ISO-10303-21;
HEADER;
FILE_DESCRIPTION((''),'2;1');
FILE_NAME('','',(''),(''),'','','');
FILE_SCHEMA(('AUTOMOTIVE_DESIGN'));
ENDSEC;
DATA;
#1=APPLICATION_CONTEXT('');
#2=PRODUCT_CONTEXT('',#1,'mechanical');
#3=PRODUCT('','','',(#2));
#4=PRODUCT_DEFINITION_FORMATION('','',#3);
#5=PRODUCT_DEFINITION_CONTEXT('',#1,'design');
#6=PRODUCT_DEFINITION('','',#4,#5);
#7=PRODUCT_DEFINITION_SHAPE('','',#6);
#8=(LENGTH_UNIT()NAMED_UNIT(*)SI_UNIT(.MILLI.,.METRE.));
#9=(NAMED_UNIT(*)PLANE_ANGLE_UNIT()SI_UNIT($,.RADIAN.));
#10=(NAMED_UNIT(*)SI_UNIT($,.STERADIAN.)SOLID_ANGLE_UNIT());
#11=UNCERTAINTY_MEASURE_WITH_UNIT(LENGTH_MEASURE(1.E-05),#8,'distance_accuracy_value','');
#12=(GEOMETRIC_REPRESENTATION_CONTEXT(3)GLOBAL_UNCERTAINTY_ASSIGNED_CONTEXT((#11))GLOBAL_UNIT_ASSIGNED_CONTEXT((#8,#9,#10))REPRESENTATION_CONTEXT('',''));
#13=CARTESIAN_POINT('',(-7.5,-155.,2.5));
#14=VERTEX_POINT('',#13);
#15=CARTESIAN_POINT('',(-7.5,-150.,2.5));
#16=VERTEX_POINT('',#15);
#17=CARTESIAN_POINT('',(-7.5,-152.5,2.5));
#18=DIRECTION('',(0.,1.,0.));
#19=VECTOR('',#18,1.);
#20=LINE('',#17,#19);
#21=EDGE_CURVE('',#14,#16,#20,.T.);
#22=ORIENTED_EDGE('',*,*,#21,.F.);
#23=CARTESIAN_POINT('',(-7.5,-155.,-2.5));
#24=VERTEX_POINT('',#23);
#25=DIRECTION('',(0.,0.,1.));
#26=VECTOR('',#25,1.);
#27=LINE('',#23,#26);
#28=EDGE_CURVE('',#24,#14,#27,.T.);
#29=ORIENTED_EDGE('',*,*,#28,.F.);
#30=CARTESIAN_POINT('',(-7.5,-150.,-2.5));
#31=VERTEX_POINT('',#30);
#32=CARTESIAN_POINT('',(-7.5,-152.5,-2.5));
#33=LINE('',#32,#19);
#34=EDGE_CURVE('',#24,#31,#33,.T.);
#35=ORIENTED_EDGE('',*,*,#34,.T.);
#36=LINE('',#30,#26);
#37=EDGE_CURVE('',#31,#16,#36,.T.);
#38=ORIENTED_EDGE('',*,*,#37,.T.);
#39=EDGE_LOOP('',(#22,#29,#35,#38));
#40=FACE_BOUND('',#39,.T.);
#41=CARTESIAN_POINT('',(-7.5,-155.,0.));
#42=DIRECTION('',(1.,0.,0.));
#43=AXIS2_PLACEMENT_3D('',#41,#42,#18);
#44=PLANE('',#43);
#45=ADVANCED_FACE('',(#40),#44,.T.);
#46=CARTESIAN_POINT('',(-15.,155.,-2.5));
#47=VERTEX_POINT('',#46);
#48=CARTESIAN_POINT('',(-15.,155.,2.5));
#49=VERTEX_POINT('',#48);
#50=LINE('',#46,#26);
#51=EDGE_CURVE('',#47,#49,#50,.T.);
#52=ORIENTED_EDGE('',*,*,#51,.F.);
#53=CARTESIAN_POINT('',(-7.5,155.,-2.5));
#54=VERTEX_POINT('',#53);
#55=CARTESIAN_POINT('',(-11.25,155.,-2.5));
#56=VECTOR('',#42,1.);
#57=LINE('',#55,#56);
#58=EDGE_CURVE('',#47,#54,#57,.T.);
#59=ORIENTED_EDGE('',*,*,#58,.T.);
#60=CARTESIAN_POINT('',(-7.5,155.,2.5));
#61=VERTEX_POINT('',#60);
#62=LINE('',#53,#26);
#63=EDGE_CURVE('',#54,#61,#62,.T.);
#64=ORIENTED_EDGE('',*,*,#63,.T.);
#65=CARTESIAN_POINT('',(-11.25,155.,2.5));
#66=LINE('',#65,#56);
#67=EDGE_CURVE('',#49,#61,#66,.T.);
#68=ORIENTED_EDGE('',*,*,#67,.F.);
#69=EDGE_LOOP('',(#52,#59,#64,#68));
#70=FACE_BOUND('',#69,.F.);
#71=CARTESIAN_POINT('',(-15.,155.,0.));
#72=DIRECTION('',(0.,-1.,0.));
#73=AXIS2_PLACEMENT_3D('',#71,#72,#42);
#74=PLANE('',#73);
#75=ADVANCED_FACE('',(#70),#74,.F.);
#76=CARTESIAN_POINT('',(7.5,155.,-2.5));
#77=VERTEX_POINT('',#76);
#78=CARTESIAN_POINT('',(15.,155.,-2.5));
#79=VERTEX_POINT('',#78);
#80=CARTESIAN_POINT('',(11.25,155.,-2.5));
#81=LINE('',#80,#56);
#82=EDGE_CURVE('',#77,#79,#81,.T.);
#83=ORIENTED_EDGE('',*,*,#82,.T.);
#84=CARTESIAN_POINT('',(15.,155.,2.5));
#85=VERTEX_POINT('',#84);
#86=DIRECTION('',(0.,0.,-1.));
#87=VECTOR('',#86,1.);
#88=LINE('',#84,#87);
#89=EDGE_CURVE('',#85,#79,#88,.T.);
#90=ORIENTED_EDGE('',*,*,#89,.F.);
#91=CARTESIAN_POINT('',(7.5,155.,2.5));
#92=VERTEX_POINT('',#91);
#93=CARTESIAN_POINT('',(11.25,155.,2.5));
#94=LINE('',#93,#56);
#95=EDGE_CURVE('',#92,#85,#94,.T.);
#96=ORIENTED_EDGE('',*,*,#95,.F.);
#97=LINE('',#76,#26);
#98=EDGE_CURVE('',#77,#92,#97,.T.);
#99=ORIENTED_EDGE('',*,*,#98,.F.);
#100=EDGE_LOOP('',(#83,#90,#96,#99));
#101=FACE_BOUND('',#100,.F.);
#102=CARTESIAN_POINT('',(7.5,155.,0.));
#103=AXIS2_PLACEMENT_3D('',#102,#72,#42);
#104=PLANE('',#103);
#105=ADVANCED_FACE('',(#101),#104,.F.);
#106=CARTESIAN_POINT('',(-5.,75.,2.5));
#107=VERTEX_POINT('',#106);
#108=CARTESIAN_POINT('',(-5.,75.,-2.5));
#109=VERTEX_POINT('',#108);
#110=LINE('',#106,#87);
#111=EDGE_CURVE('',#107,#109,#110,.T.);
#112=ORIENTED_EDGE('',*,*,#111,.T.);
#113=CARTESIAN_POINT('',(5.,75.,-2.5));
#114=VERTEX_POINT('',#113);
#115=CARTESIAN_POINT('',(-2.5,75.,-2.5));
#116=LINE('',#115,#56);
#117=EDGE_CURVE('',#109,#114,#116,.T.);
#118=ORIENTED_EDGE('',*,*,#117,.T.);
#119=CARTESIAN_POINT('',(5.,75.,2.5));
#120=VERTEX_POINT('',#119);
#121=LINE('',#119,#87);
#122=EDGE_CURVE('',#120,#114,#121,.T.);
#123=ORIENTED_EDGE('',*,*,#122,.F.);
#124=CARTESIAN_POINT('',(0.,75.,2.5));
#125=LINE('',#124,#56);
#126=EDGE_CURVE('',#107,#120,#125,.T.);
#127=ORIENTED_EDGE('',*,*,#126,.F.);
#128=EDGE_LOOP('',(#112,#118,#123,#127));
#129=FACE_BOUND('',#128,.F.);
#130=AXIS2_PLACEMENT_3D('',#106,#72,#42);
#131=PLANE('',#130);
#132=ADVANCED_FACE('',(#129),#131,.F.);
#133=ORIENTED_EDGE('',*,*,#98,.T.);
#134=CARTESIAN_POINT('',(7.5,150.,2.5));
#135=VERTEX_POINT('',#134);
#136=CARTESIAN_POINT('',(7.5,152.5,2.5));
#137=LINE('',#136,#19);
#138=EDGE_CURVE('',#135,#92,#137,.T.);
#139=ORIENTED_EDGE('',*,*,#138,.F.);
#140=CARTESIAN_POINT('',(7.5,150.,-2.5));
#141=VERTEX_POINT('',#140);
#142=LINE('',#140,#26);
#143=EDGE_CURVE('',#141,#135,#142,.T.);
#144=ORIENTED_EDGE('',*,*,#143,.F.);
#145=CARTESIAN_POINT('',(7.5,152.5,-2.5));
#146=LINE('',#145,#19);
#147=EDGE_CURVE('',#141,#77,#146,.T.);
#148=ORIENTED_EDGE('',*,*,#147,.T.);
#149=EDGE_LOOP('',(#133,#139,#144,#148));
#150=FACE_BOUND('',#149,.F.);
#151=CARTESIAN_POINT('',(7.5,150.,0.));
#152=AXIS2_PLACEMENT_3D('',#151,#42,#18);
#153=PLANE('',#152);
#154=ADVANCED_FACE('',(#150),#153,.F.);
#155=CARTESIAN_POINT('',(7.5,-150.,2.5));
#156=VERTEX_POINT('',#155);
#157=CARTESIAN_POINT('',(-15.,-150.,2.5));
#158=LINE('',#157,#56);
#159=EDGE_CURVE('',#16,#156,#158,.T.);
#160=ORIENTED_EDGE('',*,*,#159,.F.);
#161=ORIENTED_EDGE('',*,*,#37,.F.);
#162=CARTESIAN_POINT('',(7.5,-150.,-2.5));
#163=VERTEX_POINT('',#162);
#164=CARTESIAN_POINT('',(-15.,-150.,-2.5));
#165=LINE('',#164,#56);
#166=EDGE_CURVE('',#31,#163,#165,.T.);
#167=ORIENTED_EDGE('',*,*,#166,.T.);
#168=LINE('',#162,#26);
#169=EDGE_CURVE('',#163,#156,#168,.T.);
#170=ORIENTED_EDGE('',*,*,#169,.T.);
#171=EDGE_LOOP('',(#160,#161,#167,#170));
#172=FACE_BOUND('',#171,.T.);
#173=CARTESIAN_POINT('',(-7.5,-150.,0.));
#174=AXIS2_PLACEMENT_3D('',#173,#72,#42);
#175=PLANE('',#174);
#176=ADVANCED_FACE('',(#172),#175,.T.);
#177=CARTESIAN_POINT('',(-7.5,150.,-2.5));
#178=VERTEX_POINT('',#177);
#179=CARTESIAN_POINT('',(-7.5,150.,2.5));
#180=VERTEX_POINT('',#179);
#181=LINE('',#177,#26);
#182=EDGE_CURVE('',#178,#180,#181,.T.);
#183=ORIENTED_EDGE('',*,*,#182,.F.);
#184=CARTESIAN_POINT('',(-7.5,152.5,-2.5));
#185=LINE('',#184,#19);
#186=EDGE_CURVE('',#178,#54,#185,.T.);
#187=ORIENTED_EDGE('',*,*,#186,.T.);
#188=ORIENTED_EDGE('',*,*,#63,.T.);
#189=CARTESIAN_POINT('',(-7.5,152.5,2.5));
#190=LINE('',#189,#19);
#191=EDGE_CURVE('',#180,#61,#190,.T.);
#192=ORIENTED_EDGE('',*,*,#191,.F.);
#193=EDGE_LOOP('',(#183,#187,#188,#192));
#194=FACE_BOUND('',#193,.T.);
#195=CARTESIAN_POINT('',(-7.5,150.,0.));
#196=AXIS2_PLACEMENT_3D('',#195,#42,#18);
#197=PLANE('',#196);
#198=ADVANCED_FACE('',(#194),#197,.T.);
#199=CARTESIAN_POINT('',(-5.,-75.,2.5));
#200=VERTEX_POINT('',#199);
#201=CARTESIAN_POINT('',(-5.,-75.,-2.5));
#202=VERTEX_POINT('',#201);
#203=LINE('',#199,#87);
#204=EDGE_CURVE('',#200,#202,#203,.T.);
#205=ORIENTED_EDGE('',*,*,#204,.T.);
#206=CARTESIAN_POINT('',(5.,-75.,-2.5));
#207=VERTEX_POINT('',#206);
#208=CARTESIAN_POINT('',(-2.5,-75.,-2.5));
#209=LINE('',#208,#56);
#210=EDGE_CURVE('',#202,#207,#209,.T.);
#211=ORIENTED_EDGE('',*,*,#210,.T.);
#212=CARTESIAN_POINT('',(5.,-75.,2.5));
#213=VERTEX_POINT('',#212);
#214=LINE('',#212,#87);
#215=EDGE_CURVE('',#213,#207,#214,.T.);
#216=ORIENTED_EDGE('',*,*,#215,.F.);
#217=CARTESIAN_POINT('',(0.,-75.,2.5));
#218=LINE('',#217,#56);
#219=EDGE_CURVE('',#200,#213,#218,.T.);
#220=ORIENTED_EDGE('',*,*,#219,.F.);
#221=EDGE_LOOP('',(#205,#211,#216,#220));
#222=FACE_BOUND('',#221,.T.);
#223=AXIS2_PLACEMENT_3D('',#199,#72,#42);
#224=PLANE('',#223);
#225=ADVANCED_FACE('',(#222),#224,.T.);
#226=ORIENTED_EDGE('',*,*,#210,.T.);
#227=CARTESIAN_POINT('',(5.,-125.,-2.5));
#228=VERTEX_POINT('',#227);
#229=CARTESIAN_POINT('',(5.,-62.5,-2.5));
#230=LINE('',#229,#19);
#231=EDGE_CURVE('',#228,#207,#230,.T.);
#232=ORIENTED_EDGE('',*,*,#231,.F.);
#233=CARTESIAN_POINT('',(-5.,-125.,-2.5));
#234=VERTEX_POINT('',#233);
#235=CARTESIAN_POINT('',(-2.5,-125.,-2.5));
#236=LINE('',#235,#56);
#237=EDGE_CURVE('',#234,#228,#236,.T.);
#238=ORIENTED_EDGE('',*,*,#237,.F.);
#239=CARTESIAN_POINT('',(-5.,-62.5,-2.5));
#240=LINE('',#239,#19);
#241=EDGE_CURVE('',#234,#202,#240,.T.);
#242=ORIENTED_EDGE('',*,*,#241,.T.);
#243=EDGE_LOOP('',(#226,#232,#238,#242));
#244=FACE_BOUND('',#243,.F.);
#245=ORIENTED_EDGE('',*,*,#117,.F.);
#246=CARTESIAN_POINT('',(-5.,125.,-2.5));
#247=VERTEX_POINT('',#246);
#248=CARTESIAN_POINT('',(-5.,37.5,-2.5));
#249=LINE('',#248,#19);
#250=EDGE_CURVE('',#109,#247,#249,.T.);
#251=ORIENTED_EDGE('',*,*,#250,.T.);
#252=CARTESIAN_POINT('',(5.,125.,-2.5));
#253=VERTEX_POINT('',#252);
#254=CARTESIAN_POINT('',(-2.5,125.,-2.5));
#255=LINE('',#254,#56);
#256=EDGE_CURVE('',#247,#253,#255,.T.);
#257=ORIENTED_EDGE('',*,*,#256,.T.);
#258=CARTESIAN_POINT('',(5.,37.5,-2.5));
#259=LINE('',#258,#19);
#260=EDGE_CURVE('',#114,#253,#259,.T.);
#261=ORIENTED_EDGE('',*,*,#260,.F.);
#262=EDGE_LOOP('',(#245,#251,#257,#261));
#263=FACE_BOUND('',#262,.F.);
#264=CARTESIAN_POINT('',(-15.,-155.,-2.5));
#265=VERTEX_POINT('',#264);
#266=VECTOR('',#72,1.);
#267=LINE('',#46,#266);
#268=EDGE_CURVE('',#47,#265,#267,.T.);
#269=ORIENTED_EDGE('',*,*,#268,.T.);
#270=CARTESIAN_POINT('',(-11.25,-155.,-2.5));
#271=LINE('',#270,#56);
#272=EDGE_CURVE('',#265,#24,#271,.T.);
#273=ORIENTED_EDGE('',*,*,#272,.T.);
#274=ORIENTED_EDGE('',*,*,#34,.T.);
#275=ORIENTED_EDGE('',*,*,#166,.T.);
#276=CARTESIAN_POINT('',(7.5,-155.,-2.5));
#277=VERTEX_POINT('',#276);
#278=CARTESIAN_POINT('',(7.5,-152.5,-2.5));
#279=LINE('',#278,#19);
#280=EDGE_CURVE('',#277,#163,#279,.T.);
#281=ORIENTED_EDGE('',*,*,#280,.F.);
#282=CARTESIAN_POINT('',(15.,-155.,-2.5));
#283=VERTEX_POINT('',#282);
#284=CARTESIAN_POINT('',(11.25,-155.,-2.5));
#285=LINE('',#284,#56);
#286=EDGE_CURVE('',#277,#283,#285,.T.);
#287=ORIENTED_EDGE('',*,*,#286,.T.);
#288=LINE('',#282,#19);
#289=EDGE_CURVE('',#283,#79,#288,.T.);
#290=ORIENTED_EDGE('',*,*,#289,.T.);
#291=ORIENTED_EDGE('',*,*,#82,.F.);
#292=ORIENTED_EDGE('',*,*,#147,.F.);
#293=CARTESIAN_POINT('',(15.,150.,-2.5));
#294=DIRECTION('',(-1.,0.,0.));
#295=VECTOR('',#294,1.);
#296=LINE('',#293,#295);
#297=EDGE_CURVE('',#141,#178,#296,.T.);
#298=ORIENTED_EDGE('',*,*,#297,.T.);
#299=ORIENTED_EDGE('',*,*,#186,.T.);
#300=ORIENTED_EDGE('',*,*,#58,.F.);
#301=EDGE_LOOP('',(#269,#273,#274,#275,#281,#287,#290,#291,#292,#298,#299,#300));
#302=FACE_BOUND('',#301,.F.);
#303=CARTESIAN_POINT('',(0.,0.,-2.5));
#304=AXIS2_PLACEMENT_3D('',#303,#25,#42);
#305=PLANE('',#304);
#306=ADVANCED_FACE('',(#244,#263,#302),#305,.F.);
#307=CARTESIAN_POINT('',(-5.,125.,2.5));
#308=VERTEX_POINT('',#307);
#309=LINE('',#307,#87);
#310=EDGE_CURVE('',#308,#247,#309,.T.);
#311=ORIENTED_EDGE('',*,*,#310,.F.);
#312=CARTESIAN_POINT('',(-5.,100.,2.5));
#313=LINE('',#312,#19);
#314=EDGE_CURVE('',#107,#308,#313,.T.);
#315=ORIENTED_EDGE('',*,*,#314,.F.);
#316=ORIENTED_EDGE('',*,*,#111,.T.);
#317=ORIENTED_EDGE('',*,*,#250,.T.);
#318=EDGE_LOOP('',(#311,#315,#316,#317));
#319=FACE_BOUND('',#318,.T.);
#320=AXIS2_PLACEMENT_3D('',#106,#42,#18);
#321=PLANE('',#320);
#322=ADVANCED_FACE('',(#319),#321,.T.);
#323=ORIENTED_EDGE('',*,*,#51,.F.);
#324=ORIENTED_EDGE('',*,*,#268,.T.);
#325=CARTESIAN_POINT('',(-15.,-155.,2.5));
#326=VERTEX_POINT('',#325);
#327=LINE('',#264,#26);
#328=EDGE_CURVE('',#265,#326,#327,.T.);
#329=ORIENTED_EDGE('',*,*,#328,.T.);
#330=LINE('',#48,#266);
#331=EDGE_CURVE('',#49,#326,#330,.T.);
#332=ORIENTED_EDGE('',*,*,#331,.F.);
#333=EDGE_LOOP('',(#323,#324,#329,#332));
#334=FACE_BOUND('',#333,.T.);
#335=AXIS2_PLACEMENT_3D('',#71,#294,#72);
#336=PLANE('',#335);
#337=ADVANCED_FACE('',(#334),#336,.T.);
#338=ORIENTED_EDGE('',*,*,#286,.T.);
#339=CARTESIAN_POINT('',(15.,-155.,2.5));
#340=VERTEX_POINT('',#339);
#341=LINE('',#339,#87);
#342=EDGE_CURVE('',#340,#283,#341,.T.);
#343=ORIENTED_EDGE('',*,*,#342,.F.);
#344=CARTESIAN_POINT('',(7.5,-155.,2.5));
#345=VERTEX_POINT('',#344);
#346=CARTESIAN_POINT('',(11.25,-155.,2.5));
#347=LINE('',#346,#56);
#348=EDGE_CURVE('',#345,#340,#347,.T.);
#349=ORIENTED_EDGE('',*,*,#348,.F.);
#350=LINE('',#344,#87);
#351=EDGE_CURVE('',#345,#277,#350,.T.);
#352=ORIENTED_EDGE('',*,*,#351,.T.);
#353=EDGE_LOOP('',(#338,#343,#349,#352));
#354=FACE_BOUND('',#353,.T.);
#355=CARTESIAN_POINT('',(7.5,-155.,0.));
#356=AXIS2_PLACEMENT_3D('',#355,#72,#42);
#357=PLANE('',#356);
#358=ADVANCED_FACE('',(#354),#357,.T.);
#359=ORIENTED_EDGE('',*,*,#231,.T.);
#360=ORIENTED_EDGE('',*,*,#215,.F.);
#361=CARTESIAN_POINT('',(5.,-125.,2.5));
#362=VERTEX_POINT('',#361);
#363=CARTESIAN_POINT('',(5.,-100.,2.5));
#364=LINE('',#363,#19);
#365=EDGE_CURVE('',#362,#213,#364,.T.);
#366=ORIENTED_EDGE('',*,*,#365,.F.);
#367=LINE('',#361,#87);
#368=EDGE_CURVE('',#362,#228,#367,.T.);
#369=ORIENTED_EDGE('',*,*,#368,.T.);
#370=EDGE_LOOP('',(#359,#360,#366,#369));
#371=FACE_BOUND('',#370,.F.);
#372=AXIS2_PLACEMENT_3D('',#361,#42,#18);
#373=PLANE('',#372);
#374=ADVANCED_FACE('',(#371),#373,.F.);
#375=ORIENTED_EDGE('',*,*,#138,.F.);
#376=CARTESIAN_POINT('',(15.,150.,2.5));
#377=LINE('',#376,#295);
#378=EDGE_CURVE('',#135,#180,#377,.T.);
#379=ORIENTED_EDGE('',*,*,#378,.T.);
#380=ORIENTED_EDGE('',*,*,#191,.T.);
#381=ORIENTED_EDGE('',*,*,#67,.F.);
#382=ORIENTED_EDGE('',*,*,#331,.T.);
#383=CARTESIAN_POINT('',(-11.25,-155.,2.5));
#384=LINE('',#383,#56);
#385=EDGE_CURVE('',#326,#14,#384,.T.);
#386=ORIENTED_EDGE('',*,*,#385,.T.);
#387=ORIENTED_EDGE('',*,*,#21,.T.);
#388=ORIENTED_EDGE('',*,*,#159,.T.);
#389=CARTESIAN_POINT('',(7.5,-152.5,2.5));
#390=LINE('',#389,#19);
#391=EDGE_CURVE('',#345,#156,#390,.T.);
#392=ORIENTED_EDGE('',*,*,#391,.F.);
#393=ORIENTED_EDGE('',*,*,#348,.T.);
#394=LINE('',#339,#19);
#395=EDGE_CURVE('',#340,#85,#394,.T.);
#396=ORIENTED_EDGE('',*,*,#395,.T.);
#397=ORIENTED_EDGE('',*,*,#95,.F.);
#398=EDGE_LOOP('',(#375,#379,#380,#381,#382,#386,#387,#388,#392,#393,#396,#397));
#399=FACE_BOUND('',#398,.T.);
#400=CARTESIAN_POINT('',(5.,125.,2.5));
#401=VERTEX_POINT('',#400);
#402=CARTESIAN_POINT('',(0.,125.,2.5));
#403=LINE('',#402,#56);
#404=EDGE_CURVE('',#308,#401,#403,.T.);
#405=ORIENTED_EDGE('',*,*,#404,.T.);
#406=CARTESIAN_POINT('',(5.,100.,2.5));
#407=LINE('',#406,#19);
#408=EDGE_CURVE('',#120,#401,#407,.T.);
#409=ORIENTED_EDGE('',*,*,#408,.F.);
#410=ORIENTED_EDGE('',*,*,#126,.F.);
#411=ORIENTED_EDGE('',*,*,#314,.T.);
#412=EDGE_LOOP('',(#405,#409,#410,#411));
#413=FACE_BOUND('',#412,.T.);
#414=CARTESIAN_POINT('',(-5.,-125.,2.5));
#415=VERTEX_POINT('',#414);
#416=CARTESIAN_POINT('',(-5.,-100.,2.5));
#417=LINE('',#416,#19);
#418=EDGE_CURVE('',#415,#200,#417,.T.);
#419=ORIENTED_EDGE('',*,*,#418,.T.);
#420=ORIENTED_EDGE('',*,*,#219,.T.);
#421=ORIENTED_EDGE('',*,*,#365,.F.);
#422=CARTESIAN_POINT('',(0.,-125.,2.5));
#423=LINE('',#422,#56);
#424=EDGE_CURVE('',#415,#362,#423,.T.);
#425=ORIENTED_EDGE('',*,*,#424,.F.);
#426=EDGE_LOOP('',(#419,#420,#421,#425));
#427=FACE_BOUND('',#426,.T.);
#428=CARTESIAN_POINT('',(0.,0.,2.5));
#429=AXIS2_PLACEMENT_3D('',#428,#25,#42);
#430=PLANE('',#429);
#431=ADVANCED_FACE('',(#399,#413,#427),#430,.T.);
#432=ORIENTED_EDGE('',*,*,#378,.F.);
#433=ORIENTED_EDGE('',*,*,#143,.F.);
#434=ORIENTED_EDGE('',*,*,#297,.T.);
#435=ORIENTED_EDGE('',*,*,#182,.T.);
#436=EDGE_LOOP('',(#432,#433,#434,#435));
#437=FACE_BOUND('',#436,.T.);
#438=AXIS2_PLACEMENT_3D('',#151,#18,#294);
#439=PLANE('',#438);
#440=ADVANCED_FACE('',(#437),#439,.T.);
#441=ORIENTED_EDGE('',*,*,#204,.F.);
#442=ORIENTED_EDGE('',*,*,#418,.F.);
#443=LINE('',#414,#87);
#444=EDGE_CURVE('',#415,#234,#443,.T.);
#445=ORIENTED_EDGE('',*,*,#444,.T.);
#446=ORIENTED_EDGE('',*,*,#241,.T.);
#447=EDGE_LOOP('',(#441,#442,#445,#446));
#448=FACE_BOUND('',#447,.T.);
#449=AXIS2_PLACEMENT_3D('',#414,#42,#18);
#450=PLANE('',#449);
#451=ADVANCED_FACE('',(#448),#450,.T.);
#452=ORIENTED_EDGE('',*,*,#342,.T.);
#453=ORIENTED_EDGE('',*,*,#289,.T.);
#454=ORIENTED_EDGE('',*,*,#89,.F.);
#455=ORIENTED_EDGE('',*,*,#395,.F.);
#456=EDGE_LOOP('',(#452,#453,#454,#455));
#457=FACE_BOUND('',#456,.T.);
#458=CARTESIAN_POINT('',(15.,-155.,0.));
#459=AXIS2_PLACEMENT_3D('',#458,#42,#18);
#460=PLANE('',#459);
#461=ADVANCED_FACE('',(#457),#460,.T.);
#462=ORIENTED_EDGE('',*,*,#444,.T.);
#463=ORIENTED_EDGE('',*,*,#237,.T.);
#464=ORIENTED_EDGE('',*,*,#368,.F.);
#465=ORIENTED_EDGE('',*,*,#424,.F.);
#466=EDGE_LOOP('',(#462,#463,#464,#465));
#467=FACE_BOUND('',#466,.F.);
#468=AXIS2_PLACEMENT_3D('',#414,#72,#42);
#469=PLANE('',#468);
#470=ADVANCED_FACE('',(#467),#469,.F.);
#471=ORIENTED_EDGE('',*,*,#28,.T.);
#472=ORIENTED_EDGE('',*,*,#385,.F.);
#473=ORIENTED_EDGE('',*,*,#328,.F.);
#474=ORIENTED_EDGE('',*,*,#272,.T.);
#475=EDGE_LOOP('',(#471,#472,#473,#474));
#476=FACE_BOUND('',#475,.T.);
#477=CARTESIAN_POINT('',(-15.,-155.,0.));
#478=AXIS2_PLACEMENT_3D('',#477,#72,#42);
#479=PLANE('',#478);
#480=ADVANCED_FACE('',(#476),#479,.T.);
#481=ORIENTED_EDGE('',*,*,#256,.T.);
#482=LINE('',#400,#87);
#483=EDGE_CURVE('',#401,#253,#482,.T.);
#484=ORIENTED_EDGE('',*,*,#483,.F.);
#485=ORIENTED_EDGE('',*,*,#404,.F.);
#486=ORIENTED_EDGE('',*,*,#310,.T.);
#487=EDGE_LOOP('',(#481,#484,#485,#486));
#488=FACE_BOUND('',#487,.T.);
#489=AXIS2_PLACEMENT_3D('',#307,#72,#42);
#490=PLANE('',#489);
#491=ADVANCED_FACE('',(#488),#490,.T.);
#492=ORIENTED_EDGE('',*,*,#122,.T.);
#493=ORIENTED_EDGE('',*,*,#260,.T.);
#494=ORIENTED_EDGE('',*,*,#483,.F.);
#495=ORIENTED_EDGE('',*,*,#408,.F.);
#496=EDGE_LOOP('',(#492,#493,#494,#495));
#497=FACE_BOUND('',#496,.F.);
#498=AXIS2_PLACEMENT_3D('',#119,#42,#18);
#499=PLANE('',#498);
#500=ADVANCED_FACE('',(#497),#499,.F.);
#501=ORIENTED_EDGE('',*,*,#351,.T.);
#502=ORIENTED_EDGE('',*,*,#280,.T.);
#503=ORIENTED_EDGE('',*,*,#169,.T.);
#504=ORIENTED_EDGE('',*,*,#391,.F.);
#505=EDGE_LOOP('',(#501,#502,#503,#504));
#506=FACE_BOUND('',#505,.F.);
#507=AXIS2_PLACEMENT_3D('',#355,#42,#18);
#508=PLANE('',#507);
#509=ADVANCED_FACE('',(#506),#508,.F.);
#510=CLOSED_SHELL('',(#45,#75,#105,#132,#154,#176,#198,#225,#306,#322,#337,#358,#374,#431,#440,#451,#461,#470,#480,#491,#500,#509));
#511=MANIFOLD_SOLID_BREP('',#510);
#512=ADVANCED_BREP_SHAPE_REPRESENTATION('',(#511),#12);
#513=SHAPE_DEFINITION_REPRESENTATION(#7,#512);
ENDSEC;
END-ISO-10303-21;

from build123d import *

# Parameters (mm, degrees)
F0_W     = 7.5
F0_H     = 5
F1_DEPTH = 2.5
F2_W     = 10
F2_H     = 50
F3_DEPTH = 10
F4_W     = 10
F4_H     = 50
F5_DEPTH = 10


with BuildPart() as f1:
    # F0 (on Top) → F1 (new body, symmetric)
    with BuildSketch(Plane.XY):
        Polygon((7.5, -150), (15, -150), (15, 150), (7.5, 150), (-7.5, 150), (-15, 150), (-15, -150), (-7.5, -150), align=None)
        with Locations((-11.25, -152.5)):
            Rectangle(F0_W, F0_H)
        with Locations((11.25, 152.5)):
            Rectangle(F0_W, F0_H)
        with Locations((-11.25, 152.5)):
            Rectangle(F0_W, F0_H)
        with Locations((11.25, -152.5)):
            Rectangle(F0_W, F0_H)
    extrude(amount=F1_DEPTH, both=True)

    # F2 (on face) → F3 (cut)
    with BuildSketch(Plane.XY.offset(2.5)):
        with Locations((0, -100)):
            Rectangle(F2_W, F2_H)
    extrude(amount=-F3_DEPTH, mode=Mode.SUBTRACT)

    # F4 (on face) → F5 (cut)
    with BuildSketch(Plane.XY.offset(2.5)):
        with Locations((0, 100)):
            Rectangle(F4_W, F4_H)
    extrude(amount=-F5_DEPTH, mode=Mode.SUBTRACT)


solid = f1.part
